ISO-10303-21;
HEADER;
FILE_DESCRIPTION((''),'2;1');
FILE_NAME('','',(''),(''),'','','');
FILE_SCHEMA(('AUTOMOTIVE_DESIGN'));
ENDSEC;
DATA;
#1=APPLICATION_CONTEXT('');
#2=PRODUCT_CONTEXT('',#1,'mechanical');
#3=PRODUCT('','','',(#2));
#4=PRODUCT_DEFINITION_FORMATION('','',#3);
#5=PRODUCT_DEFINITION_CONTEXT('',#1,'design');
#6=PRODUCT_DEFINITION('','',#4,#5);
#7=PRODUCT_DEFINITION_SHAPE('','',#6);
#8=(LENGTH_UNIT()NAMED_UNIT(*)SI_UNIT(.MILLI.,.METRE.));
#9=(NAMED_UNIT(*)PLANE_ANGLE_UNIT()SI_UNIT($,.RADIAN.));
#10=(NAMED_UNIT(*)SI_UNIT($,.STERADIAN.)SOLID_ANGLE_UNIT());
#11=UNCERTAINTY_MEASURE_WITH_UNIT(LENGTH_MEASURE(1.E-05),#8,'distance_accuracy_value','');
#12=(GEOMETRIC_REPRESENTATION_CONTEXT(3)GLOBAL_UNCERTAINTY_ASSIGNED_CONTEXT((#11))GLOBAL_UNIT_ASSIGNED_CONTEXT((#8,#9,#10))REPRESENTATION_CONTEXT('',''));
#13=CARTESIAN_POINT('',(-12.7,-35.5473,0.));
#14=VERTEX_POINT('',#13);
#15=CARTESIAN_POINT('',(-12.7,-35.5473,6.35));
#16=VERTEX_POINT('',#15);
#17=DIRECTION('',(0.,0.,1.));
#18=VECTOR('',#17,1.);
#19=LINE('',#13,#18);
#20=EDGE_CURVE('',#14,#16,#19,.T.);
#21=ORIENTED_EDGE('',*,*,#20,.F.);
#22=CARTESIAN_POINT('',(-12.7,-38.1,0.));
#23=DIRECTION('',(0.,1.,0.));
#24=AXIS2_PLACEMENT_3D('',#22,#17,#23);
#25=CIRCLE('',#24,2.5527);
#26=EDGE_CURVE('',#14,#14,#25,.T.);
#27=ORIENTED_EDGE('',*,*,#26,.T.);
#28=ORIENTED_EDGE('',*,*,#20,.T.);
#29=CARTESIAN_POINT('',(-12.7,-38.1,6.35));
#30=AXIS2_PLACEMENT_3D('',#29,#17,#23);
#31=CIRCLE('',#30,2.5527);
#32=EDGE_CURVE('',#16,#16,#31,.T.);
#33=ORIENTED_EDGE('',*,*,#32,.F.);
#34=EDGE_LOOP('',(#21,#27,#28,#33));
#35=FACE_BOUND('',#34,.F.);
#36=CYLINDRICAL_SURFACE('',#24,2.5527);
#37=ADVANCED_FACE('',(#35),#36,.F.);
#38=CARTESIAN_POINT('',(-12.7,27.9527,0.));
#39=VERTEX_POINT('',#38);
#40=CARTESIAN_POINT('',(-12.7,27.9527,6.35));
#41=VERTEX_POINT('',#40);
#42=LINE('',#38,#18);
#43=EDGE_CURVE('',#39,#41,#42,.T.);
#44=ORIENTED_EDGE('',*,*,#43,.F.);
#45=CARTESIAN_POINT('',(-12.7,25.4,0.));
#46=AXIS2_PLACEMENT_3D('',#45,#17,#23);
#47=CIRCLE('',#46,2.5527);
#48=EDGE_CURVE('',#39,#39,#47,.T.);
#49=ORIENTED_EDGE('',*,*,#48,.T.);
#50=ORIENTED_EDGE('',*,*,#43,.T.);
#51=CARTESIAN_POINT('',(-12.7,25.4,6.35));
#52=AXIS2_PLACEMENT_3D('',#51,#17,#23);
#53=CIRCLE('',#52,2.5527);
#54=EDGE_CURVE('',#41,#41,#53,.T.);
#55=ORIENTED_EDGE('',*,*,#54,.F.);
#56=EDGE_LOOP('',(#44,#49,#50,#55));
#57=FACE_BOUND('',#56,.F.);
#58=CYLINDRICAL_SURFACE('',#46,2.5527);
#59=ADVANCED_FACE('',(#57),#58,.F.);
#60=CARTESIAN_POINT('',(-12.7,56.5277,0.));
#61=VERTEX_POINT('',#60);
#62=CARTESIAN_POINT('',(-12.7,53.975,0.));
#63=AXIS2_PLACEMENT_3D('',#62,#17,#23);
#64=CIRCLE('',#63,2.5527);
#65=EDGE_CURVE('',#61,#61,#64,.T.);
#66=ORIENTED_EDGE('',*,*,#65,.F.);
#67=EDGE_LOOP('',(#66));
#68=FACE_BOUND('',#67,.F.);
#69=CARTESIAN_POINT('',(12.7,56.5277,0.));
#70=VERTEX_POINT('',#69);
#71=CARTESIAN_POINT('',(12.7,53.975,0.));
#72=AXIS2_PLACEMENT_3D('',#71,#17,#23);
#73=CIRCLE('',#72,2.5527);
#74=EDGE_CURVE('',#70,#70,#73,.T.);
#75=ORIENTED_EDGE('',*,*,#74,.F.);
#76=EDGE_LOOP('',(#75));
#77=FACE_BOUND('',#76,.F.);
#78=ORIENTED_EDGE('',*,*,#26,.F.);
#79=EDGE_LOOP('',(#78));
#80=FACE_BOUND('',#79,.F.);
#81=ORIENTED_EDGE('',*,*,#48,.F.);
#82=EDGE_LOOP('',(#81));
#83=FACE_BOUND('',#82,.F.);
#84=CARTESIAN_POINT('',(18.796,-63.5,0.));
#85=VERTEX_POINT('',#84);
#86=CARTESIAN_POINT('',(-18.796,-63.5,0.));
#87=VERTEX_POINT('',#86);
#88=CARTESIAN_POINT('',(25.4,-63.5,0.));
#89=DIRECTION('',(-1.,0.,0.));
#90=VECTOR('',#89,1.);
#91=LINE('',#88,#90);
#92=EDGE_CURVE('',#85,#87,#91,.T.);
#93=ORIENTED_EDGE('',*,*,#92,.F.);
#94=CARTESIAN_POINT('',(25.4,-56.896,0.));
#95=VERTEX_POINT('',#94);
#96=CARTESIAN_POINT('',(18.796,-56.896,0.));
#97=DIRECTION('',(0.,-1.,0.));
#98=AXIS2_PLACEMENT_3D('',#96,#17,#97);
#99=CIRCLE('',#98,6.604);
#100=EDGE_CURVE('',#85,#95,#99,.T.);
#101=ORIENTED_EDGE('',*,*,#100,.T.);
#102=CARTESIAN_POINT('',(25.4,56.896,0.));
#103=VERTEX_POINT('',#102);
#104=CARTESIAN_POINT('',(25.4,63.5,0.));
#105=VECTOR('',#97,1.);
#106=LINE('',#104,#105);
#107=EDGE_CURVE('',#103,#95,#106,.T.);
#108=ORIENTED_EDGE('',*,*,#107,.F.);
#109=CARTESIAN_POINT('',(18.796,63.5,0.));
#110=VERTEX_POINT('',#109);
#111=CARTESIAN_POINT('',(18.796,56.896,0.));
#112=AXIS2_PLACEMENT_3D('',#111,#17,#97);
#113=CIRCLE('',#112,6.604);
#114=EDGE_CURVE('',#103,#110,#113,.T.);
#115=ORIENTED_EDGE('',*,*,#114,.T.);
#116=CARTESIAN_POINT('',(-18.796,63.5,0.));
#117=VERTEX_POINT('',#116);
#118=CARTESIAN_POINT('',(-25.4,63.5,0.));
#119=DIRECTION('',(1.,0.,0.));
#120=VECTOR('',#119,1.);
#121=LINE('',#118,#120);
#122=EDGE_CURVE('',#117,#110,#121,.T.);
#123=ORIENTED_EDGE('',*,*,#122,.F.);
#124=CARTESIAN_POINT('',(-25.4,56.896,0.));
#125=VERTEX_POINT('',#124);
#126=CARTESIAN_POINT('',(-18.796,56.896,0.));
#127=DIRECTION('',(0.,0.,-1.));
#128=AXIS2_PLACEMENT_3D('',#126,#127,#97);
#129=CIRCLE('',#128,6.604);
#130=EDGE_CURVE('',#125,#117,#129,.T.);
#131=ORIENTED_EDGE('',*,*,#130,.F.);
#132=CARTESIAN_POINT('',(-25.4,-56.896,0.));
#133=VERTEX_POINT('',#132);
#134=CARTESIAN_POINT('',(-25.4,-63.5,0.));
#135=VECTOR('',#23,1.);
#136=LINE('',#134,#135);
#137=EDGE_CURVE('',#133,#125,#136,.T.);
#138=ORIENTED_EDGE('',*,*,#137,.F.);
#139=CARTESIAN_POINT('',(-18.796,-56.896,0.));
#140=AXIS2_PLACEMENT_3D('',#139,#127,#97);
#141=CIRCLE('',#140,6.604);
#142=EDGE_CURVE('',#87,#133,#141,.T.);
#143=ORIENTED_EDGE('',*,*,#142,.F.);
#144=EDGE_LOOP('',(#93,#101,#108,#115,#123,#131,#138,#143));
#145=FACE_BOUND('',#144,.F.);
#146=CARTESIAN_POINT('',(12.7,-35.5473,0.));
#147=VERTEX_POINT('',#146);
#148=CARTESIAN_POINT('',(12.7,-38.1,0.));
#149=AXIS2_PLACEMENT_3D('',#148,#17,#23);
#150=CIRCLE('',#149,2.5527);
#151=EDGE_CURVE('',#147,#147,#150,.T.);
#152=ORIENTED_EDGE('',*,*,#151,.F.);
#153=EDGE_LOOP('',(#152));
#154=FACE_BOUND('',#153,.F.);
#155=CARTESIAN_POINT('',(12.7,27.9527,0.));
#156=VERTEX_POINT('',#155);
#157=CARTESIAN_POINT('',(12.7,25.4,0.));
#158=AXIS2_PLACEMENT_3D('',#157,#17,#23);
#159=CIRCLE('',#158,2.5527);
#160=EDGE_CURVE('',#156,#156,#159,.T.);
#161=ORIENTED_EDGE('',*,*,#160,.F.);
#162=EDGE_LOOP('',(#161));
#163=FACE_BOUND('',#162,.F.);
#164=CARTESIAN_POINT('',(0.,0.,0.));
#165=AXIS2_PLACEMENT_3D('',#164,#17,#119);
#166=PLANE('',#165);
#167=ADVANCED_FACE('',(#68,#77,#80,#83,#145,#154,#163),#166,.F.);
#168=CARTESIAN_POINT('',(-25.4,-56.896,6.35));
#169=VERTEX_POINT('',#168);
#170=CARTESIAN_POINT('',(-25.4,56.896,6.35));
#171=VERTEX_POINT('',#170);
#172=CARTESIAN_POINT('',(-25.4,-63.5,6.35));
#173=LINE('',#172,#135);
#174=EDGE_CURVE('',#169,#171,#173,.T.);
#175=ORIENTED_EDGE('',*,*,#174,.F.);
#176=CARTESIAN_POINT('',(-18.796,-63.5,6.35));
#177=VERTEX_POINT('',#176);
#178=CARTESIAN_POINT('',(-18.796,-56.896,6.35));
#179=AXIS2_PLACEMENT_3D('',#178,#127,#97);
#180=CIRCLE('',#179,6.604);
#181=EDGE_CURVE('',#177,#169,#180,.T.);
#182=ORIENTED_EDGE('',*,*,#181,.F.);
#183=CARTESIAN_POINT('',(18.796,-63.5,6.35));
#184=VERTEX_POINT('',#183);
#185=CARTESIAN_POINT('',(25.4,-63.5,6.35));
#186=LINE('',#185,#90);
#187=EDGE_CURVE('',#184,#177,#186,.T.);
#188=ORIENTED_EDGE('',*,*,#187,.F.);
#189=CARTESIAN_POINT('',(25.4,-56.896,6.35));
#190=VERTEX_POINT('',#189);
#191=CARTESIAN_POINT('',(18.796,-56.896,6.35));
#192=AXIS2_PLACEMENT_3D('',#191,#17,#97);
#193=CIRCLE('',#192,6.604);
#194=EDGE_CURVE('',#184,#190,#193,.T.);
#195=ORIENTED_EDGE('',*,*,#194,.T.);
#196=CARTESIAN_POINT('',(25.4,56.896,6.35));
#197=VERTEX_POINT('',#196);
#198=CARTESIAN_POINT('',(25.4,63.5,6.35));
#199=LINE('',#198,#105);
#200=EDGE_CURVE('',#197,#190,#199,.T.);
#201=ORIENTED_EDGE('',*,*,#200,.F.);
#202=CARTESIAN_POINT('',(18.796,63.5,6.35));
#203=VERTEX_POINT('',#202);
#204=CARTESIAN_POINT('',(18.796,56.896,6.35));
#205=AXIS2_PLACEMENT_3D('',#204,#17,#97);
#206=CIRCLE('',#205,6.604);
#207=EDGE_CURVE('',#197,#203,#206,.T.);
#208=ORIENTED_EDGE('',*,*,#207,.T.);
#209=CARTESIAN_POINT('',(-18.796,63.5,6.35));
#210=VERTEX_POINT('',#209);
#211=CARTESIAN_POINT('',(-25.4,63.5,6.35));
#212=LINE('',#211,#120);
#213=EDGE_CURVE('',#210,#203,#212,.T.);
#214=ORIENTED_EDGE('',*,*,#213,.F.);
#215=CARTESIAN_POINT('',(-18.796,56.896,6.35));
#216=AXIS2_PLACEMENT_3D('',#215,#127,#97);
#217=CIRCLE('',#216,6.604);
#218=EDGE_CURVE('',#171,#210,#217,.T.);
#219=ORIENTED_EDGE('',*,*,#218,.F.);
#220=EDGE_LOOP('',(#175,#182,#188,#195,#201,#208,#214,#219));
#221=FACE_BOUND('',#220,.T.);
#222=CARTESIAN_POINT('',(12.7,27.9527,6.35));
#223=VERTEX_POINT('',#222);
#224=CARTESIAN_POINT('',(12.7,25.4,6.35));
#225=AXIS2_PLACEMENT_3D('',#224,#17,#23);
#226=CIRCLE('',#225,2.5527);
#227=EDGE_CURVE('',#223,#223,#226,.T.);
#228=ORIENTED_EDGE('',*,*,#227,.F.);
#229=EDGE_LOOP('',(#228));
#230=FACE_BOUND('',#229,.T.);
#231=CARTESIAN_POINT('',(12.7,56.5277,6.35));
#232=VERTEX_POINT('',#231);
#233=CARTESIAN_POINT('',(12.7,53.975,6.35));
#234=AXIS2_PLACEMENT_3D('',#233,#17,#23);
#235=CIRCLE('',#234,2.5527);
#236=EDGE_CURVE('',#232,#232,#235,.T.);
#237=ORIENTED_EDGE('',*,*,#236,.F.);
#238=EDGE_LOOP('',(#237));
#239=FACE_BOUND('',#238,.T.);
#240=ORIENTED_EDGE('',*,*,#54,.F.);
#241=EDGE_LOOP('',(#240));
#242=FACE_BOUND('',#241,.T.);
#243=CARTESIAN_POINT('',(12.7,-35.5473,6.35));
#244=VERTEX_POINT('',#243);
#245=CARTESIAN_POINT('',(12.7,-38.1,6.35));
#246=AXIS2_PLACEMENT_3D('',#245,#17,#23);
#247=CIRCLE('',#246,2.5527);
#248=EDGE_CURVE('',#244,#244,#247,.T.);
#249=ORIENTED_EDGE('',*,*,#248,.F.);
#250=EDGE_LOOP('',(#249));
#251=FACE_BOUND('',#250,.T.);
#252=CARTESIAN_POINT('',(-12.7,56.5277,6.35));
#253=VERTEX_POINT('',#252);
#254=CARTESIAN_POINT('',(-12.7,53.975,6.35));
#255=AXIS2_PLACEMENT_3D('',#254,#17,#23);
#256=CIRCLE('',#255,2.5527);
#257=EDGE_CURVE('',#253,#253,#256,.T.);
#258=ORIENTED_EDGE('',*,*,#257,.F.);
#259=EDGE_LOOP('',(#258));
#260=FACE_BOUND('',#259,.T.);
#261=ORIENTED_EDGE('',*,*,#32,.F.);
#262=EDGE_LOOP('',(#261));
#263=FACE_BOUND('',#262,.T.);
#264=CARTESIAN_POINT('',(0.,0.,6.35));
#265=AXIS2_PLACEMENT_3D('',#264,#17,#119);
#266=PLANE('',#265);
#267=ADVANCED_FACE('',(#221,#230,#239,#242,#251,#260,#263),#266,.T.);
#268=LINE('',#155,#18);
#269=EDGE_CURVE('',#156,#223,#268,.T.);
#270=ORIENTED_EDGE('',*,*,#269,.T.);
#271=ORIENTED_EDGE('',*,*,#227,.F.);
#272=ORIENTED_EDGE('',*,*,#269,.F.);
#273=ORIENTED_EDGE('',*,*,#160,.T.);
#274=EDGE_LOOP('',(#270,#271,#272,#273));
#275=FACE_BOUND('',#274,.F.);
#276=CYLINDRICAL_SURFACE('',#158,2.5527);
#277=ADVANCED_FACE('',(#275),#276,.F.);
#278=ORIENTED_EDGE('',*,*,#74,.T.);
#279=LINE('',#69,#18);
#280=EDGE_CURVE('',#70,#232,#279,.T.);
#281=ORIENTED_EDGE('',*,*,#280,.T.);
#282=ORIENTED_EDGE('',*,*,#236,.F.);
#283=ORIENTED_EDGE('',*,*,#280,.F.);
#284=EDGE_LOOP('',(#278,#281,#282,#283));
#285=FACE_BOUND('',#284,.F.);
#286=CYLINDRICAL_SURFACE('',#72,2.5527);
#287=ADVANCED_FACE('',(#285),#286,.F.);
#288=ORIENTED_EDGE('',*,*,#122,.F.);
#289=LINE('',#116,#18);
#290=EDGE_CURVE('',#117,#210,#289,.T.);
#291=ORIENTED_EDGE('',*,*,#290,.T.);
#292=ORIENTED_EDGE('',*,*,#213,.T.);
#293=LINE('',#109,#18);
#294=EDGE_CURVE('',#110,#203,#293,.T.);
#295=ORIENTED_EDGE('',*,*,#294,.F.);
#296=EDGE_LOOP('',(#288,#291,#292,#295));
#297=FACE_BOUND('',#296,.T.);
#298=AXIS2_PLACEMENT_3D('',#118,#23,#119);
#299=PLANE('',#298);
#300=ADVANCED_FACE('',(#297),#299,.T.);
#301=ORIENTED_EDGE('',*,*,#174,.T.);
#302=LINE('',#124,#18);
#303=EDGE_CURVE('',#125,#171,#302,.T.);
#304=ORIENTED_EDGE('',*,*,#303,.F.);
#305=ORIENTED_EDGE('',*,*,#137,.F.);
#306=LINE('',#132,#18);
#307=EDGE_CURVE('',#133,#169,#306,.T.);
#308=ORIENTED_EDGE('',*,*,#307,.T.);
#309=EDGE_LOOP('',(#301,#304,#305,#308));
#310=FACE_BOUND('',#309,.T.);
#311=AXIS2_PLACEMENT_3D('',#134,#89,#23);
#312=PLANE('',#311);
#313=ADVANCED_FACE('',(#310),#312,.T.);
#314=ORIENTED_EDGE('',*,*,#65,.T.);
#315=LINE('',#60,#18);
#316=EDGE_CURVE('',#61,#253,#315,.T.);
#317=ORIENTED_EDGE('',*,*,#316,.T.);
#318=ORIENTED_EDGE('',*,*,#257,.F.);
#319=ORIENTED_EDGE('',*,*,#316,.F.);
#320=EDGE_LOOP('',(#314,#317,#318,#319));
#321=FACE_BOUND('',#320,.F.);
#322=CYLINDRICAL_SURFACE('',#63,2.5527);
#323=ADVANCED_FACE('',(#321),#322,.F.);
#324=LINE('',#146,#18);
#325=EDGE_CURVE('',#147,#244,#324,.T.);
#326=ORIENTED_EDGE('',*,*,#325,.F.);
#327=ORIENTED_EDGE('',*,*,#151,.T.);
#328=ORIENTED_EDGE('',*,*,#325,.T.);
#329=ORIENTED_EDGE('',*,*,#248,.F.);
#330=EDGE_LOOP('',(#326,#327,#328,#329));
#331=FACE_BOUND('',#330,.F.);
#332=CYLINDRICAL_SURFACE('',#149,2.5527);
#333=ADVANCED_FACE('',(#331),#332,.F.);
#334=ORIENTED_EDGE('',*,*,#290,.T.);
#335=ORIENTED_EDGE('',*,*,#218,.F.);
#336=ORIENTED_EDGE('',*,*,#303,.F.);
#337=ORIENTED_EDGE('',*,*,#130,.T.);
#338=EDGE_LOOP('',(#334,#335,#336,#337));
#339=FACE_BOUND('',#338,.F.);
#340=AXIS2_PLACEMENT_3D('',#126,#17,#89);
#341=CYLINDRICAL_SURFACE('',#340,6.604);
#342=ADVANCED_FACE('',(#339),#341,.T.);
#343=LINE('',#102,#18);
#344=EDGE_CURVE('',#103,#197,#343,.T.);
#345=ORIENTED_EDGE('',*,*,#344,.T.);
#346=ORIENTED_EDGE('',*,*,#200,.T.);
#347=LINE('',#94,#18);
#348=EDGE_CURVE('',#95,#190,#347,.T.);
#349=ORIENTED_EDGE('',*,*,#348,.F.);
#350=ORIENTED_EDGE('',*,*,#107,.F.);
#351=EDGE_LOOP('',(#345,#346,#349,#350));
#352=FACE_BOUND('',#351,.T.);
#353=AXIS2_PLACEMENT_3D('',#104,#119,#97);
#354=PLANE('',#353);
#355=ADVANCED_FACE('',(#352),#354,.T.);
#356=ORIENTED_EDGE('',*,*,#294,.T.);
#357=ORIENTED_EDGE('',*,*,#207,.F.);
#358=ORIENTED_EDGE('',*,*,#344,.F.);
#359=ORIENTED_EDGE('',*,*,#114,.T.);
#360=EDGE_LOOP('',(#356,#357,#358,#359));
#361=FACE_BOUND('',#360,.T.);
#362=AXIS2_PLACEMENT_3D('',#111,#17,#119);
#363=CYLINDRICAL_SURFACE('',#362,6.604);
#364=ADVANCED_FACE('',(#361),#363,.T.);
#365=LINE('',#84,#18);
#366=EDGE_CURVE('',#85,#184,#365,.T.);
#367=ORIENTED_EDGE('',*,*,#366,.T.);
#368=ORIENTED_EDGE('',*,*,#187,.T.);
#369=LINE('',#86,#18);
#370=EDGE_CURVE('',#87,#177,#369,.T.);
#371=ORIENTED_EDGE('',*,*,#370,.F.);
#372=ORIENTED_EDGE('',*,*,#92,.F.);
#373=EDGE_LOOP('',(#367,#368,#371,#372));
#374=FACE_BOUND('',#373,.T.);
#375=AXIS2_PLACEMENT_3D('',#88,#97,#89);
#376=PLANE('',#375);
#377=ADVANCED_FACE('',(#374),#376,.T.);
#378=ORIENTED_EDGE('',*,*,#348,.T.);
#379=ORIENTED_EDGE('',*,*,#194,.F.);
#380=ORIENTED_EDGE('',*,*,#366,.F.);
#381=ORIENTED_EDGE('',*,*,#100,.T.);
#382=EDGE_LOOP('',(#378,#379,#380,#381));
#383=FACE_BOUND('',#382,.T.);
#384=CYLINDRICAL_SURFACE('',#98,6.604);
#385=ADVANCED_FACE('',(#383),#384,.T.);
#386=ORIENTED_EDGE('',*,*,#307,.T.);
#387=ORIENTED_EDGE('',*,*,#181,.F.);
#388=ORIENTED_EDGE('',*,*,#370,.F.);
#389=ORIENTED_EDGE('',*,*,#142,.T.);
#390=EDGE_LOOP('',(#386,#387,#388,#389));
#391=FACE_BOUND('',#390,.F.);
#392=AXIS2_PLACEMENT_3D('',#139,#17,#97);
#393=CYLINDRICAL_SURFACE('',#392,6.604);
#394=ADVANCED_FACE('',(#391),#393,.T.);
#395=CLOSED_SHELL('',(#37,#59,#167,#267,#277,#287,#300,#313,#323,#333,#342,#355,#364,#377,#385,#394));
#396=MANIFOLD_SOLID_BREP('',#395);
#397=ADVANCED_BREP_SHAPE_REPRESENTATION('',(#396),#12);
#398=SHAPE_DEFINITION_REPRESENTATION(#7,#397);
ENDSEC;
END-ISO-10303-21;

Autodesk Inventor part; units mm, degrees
ref_plane "YZ Plane" through (0, 0, 0) normal (1, 0, 0) x (0, 1, 0)
ref_plane "XZ Plane" through (0, 0, 0) normal (0, 1, 0) x (-1, 0, 0)
ref_plane "XY Plane" through (0, 0, 0) normal (0, 0, 1) x (1, 0, 0)
sketch "Sketch1" plane through (0, 0, 0) normal (0, 0, 1) x (1, 0, 0)
  line L0 (25.4, -63.5) -> (-25.4, -63.5)
  line L1 (-25.4, -63.5) -> (-25.4, 63.5)
  line L2 (-25.4, 63.5) -> (25.4, 63.5)
  line L3 (25.4, 63.5) -> (25.4, -63.5)
  line L4 (25.4, -63.5) -> (-25.4, 63.5) construction
  line L5 (-25.4, -63.5) -> (25.4, 63.5) construction
  line L6 (-12.7, 53.975) -> (12.7, 53.975) construction
  point P0 (0, 0)
  point P1 (-12.7, 25.4)
  point P2 (12.7, 25.4)
  point P3 (12.7, -38.1)
  point P4 (-12.7, -38.1)
  point P5 (0, 53.975)
  point P6 (0, 63.5)
  dimension "d0" = 50.8
  dimension "d1" = 127
  dimension "d2" = 9.525
  dimension "d3" = 25.4
  dimension "d4" = 38.1
  dimension "d5" = 63.5
extrude "Extrusion1" add sketch "Sketch1" along normal blind 6.35
hole "Hole1" at (-12.7, 53.975, 0) at (12.7, 53.975, 0) at (-12.7, 25.4, 0) at (12.7, 25.4, 0) at (12.7, -38.1, 0) at (-12.7, -38.1, 0) direction (0, 0, 1) diameter 5.1054 end through all clearance for "Flat Head Machine Screw (82)" size "#10" standard "Ansi Unified Screw Threads"
fillet "Fillet1" radius 6.604 4 edges at (25.4, 63.5, 3.175) (-25.4, 63.5, 3.175) (25.4, -63.5, 3.175) (-25.4, -63.5, 3.175)
properties part number "CL7-GB-003" material "Polycarbonate, Clear"
